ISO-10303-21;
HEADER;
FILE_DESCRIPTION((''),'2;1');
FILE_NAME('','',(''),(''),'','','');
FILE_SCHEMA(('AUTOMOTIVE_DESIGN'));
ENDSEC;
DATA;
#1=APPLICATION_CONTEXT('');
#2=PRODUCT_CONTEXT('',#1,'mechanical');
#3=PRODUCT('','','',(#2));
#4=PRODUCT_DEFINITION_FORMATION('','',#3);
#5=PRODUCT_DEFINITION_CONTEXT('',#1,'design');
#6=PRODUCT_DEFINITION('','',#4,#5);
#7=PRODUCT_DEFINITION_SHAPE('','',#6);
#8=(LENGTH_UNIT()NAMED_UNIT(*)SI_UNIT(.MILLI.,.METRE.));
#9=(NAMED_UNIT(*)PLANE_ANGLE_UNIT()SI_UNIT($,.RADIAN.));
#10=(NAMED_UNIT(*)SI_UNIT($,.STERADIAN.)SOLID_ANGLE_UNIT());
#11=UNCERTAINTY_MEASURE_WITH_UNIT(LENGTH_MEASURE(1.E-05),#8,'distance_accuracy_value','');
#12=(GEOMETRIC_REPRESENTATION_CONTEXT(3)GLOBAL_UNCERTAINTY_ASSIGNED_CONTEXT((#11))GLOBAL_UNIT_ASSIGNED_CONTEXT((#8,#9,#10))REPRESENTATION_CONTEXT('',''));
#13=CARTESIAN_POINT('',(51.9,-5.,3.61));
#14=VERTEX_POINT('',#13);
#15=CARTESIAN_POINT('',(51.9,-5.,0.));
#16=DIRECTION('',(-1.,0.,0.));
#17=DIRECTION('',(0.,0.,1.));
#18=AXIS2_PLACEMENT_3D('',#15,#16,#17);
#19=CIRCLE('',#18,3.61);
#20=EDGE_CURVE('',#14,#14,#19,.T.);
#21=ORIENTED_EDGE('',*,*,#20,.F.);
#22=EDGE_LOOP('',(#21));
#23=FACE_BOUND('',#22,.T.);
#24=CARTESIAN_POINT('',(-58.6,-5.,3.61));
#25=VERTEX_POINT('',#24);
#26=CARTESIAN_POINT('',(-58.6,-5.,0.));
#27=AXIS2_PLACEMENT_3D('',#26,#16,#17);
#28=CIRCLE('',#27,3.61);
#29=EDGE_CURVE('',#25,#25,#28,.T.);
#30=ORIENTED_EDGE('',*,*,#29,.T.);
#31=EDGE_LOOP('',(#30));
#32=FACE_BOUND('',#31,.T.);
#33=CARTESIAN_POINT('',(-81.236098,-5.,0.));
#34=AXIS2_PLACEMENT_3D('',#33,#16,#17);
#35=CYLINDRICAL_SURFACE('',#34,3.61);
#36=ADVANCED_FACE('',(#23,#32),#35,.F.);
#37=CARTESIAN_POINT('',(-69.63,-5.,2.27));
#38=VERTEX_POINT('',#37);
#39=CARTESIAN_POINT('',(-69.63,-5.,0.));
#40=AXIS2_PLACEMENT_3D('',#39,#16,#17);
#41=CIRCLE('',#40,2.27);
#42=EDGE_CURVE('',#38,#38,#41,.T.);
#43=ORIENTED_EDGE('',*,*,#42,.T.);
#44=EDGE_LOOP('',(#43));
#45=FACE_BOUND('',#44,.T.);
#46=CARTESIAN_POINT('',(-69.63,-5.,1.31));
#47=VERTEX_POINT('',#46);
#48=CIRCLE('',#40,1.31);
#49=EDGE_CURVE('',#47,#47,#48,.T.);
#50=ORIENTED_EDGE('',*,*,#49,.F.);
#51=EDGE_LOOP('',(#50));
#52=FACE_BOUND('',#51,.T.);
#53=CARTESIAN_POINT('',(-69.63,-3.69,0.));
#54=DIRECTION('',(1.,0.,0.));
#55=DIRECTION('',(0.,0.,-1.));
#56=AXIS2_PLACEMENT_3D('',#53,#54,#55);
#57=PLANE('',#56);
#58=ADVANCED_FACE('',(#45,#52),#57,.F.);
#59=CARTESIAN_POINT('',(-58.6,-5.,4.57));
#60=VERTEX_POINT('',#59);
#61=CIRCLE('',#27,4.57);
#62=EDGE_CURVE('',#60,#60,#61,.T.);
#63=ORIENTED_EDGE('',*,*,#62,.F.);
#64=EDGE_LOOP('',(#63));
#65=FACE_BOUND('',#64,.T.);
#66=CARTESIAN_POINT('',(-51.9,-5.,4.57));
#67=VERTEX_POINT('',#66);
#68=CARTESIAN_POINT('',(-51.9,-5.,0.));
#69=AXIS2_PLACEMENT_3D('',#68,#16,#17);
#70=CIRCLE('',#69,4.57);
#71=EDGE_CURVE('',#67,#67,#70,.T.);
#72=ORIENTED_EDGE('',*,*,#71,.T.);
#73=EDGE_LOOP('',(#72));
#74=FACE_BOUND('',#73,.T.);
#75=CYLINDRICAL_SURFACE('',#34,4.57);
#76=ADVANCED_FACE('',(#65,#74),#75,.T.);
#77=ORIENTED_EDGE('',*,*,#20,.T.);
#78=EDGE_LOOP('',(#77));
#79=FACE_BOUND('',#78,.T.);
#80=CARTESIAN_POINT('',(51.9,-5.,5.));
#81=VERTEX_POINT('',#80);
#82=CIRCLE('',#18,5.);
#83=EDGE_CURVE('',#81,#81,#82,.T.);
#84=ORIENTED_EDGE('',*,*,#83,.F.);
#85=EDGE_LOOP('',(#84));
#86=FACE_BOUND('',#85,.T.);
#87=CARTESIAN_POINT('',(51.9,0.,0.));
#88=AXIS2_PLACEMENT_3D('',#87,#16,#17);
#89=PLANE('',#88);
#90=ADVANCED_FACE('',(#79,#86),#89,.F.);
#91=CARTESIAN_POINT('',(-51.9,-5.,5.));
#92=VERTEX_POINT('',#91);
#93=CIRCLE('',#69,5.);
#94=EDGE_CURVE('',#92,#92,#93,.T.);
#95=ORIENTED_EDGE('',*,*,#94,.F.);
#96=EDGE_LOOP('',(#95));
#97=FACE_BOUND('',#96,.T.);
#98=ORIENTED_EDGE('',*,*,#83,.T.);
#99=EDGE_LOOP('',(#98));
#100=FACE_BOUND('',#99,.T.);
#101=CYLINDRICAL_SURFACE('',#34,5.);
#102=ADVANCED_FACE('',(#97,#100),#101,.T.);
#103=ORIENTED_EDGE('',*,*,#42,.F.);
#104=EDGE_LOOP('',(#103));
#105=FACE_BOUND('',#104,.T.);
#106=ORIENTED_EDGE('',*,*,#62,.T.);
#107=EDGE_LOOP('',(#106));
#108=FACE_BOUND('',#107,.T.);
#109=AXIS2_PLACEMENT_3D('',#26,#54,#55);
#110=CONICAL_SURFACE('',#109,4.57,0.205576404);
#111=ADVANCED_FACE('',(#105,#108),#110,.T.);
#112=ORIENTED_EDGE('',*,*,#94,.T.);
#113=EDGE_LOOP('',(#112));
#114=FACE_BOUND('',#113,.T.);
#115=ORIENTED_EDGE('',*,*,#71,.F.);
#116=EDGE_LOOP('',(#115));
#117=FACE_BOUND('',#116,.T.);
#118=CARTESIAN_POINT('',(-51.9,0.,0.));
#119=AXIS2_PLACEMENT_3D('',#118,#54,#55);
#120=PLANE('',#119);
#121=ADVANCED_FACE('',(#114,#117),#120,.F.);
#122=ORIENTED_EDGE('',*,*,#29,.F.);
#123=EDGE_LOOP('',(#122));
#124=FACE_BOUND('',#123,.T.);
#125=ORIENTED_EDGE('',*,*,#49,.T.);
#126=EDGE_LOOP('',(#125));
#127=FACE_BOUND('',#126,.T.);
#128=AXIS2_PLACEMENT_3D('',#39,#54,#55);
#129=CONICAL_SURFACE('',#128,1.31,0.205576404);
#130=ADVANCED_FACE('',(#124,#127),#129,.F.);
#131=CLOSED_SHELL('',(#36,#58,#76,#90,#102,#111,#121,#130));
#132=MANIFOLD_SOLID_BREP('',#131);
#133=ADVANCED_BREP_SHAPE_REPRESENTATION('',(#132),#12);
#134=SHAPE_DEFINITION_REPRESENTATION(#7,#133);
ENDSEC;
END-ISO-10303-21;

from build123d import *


with BuildPart() as part:
    # Sketch1 → Revolve1 (revolve)
    with BuildSketch(Plane.XY, mode=Mode.PRIVATE) as revolve1_sk:
        Polygon((-51.9, 0), (51.9, 0), (51.9, -1.39), (-58.6, -1.39), (-69.63, -3.69), (-69.63, -2.73), (-58.6, -0.43), (-51.9, -0.43), align=None)
    revolve(revolve1_sk.sketch.rotate(Axis((-81.236098172, -5, 0), (1, 0, 0)), 90), axis=Axis((-81.236098172, -5, 0), (1, 0, 0)))


solid = part.part
